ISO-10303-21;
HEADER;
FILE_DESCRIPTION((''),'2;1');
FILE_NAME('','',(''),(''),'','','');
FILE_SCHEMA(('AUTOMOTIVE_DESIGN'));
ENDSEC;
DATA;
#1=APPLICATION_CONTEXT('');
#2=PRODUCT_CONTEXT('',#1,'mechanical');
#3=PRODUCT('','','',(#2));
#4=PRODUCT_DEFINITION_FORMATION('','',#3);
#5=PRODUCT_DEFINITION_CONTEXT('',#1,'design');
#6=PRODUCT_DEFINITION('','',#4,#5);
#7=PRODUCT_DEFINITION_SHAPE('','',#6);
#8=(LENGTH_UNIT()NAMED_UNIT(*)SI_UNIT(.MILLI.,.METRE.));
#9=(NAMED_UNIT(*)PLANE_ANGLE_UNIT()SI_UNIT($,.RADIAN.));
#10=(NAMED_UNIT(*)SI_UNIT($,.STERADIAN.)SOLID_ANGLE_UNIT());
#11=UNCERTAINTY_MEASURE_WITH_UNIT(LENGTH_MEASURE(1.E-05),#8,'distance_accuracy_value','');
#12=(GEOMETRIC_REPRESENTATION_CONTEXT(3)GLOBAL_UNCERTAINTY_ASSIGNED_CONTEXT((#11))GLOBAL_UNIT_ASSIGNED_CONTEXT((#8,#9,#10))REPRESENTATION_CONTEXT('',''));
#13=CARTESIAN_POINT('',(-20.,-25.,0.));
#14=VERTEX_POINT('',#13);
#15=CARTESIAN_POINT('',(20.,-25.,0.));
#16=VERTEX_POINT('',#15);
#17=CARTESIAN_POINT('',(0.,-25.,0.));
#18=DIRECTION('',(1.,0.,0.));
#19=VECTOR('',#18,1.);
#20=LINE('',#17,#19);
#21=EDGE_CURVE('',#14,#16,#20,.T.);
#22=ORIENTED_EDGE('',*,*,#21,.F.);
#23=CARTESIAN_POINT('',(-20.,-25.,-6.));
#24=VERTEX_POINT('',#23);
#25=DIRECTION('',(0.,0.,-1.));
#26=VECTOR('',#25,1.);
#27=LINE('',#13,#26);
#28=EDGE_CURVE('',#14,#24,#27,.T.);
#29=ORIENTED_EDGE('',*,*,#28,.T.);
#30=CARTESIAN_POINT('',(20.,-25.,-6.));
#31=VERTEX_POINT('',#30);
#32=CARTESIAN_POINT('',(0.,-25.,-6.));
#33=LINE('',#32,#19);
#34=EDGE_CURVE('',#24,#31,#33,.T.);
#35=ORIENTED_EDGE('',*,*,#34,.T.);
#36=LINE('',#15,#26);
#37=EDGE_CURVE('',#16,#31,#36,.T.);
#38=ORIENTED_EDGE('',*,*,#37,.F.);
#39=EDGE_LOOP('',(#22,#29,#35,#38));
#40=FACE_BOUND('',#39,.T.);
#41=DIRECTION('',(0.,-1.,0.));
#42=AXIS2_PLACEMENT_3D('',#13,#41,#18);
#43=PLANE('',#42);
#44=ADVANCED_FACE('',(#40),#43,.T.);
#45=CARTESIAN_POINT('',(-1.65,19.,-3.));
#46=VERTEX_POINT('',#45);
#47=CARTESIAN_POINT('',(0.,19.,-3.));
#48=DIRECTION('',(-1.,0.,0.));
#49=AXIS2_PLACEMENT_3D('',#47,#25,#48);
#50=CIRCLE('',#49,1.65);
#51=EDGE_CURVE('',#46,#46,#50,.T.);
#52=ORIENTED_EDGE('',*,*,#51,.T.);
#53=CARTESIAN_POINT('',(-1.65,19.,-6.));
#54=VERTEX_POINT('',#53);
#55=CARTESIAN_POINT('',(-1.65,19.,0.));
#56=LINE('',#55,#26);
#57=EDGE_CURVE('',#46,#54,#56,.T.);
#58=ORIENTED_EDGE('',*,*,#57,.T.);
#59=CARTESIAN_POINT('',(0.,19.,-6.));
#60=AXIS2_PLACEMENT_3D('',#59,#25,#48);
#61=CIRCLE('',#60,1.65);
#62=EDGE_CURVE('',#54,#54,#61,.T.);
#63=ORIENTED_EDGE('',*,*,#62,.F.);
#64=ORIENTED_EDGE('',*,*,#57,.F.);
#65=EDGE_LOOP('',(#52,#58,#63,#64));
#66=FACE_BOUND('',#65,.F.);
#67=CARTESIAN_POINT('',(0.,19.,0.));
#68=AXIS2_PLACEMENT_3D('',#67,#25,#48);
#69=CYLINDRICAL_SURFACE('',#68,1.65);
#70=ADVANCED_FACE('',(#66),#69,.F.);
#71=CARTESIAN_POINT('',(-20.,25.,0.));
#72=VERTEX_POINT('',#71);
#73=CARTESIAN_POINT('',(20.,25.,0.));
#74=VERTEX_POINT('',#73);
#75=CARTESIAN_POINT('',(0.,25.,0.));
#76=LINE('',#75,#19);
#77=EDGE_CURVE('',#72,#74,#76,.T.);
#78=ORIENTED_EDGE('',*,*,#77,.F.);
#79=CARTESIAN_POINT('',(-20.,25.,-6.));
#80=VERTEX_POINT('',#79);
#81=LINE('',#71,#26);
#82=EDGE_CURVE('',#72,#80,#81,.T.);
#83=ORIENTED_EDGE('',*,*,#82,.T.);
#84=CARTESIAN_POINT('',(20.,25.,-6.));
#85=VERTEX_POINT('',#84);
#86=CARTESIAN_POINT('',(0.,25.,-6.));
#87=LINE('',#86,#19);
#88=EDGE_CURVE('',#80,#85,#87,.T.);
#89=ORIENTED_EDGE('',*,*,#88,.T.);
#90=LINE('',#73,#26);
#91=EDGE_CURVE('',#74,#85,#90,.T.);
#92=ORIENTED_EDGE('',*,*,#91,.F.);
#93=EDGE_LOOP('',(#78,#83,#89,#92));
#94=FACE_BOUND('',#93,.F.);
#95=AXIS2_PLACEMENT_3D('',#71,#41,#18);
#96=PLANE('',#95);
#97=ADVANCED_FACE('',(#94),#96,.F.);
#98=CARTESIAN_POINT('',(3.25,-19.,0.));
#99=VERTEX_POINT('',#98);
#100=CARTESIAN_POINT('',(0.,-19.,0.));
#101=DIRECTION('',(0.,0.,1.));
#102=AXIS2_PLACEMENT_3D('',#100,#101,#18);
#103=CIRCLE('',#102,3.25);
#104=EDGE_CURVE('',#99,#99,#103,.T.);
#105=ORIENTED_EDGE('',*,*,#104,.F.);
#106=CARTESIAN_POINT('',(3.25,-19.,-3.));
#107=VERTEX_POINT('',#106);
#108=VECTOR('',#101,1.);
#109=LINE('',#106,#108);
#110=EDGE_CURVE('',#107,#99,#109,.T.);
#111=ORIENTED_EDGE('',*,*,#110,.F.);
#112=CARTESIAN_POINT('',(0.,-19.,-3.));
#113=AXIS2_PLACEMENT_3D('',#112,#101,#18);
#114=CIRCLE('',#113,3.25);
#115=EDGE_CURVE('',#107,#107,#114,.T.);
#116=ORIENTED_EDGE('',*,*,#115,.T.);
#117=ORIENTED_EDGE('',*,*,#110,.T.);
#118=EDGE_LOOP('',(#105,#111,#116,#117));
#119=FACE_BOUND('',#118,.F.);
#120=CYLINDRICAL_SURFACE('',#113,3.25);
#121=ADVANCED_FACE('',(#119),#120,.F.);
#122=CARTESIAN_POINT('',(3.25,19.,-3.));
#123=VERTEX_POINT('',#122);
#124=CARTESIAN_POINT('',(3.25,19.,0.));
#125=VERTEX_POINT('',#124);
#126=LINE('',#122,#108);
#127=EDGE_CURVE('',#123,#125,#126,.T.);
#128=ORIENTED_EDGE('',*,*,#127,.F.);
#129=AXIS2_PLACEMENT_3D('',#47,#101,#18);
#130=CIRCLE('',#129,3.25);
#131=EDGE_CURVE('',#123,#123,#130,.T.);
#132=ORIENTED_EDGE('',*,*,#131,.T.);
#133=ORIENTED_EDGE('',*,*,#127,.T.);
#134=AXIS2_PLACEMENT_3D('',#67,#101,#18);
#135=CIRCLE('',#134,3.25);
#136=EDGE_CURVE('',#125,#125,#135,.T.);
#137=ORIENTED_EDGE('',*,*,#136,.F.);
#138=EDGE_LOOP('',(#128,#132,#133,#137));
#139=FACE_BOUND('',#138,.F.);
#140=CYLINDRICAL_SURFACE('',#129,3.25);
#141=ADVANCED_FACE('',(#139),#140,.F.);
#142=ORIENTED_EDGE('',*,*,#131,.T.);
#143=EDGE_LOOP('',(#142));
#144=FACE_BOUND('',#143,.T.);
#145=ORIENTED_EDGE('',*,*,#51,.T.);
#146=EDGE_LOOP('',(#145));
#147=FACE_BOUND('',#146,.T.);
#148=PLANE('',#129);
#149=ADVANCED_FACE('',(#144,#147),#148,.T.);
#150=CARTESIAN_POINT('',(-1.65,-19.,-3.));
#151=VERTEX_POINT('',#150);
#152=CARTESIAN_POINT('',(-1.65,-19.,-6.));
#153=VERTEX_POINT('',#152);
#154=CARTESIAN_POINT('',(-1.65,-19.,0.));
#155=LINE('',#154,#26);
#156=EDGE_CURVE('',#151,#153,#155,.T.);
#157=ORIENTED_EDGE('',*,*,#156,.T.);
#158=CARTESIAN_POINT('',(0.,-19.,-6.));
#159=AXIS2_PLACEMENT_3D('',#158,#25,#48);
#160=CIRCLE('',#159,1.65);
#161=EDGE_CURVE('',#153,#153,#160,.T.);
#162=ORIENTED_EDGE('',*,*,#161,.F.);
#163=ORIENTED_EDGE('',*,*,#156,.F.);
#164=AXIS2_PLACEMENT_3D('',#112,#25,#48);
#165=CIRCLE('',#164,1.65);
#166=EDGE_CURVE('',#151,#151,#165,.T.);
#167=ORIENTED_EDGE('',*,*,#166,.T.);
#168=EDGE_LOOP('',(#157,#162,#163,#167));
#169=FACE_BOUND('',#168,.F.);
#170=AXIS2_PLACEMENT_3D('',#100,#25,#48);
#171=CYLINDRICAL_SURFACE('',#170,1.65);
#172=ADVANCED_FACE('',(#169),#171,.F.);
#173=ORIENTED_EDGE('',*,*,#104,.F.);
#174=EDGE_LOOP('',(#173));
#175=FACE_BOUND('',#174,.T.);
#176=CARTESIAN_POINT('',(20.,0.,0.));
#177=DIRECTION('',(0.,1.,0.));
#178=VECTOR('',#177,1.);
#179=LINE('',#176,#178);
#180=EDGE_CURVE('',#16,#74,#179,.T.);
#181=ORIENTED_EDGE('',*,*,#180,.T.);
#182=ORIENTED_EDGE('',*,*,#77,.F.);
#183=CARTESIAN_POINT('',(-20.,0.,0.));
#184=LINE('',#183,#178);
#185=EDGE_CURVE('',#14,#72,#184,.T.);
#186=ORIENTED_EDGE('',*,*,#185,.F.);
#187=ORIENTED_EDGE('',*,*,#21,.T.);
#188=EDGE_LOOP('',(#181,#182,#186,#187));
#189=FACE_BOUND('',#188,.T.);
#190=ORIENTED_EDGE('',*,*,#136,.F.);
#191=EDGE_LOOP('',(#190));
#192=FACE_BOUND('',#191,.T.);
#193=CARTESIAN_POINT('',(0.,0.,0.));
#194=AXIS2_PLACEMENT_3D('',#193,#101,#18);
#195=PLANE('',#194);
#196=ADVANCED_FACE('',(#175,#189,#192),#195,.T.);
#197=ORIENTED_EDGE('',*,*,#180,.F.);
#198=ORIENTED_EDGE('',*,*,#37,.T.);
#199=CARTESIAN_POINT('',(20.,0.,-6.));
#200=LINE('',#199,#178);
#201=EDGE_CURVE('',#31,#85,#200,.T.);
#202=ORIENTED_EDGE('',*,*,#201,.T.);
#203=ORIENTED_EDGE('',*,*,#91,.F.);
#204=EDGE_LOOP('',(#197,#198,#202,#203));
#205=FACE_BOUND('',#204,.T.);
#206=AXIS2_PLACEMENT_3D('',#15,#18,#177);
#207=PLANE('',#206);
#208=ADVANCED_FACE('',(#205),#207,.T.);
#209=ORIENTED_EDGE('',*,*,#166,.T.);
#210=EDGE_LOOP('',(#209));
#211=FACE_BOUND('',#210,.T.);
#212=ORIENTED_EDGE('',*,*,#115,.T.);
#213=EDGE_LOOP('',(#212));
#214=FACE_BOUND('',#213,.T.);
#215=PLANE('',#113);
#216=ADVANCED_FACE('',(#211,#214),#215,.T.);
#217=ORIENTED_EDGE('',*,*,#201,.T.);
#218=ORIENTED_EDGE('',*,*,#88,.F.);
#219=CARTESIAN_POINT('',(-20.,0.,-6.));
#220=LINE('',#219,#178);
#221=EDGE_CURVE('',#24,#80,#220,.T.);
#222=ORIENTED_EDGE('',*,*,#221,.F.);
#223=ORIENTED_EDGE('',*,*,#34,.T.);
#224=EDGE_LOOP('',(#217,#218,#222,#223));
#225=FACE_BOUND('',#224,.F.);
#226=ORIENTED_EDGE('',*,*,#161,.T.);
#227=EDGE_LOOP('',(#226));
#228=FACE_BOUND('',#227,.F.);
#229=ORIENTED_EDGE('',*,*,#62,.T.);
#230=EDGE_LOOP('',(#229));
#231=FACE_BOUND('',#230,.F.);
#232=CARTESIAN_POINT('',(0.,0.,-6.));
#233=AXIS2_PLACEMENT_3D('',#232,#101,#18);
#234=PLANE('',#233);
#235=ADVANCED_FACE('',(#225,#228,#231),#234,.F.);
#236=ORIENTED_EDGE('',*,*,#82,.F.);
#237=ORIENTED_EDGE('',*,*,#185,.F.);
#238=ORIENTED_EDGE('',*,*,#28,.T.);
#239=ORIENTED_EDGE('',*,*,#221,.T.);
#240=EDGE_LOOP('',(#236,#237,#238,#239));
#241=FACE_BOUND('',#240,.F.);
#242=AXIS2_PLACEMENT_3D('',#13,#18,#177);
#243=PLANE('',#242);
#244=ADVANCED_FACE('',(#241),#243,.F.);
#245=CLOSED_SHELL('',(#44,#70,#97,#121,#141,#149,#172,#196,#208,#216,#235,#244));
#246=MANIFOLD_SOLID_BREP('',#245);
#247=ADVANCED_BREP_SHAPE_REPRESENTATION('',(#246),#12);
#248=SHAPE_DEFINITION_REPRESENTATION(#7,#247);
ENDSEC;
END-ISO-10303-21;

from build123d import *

# Parameters (mm, degrees)
F1_W           = 40
F1_H           = 50
F2_DEPTH       = 6
F3_D           = 3.3
F3_CBORE_D     = 6.5
F3_CBORE_DEPTH = 3


with BuildPart() as f2:
    # F1 (on Top) → F2 (new body)
    with BuildSketch(Plane.XY):
        Rectangle(F1_W, F1_H)
    extrude(amount=-F2_DEPTH)

    # F3 (through all)
    with Locations(Plane.XY):
        with Locations((0, -19), (0, 19)):
            CounterBoreHole(F3_D / 2, F3_CBORE_D / 2, F3_CBORE_DEPTH)


solid = f2.part
